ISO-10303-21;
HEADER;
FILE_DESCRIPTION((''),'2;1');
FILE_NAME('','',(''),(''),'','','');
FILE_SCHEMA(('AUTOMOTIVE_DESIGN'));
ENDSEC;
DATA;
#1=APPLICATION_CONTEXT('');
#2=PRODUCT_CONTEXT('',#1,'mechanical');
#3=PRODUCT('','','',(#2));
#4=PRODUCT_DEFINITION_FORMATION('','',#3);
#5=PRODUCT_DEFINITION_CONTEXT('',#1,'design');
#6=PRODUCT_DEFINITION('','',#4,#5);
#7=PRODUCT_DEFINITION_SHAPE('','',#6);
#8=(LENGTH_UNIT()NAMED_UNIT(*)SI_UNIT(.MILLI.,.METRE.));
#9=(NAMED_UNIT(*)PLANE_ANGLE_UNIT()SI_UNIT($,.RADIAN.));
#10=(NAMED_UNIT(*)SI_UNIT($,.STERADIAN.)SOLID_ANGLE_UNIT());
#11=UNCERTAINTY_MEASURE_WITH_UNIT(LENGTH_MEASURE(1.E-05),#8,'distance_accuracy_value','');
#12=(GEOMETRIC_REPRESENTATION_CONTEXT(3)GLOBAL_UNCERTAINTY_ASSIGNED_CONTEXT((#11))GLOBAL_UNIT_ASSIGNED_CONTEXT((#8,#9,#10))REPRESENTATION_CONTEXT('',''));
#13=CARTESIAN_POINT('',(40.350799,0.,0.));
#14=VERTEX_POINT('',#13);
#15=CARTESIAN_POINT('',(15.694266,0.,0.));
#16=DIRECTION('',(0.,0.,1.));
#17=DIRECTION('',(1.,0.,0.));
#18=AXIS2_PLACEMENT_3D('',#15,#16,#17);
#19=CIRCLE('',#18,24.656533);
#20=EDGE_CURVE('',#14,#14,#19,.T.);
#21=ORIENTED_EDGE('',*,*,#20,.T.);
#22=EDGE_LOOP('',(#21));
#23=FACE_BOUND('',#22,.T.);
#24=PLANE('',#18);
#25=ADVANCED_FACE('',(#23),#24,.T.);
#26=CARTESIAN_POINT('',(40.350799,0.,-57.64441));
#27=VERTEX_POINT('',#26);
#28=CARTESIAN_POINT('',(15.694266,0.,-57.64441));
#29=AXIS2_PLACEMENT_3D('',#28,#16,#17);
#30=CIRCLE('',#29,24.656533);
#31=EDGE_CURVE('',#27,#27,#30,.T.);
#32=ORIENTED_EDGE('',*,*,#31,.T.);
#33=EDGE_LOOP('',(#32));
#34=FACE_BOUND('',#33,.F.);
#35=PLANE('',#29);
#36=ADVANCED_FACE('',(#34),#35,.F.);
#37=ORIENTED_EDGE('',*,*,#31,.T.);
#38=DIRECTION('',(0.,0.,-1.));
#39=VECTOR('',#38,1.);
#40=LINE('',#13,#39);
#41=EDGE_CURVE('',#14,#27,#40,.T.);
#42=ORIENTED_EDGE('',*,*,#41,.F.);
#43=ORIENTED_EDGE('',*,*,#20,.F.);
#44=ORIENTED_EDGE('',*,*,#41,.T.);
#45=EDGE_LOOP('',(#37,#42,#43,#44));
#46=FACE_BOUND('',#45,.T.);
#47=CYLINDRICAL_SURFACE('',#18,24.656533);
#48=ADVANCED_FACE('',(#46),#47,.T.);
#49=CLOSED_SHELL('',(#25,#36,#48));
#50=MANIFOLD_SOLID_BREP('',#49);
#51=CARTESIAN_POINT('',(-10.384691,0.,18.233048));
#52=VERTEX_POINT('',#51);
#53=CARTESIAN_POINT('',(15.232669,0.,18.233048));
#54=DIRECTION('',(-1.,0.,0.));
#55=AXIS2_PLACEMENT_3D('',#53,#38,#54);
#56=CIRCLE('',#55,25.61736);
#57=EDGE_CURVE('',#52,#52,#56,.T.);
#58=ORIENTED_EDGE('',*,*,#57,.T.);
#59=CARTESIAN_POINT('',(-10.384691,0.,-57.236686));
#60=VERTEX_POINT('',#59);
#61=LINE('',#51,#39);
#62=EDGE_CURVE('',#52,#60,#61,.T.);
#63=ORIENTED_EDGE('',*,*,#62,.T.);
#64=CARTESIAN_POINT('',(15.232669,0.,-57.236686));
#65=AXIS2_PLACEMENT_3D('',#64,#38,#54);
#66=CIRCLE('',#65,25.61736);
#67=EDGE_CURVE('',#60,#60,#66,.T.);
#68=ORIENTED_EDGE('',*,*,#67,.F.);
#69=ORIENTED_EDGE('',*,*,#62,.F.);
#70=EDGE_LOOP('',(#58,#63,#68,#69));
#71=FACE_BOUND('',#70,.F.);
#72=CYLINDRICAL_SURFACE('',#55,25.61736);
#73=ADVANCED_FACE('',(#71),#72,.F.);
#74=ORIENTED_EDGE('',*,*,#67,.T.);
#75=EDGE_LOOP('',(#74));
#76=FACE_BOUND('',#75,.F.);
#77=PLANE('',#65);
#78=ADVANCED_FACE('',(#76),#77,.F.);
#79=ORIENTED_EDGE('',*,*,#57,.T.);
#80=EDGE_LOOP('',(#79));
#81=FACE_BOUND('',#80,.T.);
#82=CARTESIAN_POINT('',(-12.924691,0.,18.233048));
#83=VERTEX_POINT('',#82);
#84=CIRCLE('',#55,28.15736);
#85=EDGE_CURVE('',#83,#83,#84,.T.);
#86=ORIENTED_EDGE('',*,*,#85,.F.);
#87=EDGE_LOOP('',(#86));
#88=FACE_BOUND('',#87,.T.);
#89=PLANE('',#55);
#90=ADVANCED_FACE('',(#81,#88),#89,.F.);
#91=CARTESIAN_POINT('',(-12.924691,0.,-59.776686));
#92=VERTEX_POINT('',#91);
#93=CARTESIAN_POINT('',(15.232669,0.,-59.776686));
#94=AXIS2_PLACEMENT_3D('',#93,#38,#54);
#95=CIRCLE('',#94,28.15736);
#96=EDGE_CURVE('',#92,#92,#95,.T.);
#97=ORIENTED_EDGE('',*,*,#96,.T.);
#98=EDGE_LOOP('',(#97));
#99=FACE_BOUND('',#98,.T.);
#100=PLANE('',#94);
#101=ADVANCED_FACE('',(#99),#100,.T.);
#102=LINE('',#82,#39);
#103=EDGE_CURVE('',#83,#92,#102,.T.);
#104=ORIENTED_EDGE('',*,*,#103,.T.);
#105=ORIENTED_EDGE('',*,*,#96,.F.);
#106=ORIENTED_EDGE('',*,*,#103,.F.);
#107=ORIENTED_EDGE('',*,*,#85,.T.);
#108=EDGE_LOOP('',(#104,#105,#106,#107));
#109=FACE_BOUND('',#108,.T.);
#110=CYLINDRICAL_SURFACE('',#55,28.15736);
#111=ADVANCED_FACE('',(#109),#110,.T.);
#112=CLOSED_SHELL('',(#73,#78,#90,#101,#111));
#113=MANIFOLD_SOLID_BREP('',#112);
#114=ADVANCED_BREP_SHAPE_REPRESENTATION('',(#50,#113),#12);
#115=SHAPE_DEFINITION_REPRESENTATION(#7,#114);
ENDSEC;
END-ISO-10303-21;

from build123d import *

# Parameters (mm, degrees)
F2_T     = -2.54
F3_R     = 24.656533
F4_DEPTH = 57.64441


with BuildPart() as f1:
    # F0 (on Front) → F1 (revolve)
    with BuildSketch(Plane.XZ):
        Polygon((15.232669, 18.233048), (-12.924691, 18.233048), (-12.924691, -7.154734), (-12.924691, -33.004116), (-12.924691, -59.776686), (15.232669, -59.776686), align=None)
    revolve(axis=Axis((15.232669, 0, -20.771819), (0, 0, -1)))

    # F2
    f2_openings = [f1.faces().sort_by_distance(p)[0] for p in [
        (15.232669, 0, 18.233048),
    ]]
    offset(amount=F2_T, openings=f2_openings)


with BuildPart() as f4:
    # F3 (on Top) → F4 (new body)
    with BuildSketch(Plane.XY):
        with Locations((15.694266, 0)):
            Circle(F3_R)
    extrude(amount=-F4_DEPTH)


solid = Compound([f1.part, f4.part])
